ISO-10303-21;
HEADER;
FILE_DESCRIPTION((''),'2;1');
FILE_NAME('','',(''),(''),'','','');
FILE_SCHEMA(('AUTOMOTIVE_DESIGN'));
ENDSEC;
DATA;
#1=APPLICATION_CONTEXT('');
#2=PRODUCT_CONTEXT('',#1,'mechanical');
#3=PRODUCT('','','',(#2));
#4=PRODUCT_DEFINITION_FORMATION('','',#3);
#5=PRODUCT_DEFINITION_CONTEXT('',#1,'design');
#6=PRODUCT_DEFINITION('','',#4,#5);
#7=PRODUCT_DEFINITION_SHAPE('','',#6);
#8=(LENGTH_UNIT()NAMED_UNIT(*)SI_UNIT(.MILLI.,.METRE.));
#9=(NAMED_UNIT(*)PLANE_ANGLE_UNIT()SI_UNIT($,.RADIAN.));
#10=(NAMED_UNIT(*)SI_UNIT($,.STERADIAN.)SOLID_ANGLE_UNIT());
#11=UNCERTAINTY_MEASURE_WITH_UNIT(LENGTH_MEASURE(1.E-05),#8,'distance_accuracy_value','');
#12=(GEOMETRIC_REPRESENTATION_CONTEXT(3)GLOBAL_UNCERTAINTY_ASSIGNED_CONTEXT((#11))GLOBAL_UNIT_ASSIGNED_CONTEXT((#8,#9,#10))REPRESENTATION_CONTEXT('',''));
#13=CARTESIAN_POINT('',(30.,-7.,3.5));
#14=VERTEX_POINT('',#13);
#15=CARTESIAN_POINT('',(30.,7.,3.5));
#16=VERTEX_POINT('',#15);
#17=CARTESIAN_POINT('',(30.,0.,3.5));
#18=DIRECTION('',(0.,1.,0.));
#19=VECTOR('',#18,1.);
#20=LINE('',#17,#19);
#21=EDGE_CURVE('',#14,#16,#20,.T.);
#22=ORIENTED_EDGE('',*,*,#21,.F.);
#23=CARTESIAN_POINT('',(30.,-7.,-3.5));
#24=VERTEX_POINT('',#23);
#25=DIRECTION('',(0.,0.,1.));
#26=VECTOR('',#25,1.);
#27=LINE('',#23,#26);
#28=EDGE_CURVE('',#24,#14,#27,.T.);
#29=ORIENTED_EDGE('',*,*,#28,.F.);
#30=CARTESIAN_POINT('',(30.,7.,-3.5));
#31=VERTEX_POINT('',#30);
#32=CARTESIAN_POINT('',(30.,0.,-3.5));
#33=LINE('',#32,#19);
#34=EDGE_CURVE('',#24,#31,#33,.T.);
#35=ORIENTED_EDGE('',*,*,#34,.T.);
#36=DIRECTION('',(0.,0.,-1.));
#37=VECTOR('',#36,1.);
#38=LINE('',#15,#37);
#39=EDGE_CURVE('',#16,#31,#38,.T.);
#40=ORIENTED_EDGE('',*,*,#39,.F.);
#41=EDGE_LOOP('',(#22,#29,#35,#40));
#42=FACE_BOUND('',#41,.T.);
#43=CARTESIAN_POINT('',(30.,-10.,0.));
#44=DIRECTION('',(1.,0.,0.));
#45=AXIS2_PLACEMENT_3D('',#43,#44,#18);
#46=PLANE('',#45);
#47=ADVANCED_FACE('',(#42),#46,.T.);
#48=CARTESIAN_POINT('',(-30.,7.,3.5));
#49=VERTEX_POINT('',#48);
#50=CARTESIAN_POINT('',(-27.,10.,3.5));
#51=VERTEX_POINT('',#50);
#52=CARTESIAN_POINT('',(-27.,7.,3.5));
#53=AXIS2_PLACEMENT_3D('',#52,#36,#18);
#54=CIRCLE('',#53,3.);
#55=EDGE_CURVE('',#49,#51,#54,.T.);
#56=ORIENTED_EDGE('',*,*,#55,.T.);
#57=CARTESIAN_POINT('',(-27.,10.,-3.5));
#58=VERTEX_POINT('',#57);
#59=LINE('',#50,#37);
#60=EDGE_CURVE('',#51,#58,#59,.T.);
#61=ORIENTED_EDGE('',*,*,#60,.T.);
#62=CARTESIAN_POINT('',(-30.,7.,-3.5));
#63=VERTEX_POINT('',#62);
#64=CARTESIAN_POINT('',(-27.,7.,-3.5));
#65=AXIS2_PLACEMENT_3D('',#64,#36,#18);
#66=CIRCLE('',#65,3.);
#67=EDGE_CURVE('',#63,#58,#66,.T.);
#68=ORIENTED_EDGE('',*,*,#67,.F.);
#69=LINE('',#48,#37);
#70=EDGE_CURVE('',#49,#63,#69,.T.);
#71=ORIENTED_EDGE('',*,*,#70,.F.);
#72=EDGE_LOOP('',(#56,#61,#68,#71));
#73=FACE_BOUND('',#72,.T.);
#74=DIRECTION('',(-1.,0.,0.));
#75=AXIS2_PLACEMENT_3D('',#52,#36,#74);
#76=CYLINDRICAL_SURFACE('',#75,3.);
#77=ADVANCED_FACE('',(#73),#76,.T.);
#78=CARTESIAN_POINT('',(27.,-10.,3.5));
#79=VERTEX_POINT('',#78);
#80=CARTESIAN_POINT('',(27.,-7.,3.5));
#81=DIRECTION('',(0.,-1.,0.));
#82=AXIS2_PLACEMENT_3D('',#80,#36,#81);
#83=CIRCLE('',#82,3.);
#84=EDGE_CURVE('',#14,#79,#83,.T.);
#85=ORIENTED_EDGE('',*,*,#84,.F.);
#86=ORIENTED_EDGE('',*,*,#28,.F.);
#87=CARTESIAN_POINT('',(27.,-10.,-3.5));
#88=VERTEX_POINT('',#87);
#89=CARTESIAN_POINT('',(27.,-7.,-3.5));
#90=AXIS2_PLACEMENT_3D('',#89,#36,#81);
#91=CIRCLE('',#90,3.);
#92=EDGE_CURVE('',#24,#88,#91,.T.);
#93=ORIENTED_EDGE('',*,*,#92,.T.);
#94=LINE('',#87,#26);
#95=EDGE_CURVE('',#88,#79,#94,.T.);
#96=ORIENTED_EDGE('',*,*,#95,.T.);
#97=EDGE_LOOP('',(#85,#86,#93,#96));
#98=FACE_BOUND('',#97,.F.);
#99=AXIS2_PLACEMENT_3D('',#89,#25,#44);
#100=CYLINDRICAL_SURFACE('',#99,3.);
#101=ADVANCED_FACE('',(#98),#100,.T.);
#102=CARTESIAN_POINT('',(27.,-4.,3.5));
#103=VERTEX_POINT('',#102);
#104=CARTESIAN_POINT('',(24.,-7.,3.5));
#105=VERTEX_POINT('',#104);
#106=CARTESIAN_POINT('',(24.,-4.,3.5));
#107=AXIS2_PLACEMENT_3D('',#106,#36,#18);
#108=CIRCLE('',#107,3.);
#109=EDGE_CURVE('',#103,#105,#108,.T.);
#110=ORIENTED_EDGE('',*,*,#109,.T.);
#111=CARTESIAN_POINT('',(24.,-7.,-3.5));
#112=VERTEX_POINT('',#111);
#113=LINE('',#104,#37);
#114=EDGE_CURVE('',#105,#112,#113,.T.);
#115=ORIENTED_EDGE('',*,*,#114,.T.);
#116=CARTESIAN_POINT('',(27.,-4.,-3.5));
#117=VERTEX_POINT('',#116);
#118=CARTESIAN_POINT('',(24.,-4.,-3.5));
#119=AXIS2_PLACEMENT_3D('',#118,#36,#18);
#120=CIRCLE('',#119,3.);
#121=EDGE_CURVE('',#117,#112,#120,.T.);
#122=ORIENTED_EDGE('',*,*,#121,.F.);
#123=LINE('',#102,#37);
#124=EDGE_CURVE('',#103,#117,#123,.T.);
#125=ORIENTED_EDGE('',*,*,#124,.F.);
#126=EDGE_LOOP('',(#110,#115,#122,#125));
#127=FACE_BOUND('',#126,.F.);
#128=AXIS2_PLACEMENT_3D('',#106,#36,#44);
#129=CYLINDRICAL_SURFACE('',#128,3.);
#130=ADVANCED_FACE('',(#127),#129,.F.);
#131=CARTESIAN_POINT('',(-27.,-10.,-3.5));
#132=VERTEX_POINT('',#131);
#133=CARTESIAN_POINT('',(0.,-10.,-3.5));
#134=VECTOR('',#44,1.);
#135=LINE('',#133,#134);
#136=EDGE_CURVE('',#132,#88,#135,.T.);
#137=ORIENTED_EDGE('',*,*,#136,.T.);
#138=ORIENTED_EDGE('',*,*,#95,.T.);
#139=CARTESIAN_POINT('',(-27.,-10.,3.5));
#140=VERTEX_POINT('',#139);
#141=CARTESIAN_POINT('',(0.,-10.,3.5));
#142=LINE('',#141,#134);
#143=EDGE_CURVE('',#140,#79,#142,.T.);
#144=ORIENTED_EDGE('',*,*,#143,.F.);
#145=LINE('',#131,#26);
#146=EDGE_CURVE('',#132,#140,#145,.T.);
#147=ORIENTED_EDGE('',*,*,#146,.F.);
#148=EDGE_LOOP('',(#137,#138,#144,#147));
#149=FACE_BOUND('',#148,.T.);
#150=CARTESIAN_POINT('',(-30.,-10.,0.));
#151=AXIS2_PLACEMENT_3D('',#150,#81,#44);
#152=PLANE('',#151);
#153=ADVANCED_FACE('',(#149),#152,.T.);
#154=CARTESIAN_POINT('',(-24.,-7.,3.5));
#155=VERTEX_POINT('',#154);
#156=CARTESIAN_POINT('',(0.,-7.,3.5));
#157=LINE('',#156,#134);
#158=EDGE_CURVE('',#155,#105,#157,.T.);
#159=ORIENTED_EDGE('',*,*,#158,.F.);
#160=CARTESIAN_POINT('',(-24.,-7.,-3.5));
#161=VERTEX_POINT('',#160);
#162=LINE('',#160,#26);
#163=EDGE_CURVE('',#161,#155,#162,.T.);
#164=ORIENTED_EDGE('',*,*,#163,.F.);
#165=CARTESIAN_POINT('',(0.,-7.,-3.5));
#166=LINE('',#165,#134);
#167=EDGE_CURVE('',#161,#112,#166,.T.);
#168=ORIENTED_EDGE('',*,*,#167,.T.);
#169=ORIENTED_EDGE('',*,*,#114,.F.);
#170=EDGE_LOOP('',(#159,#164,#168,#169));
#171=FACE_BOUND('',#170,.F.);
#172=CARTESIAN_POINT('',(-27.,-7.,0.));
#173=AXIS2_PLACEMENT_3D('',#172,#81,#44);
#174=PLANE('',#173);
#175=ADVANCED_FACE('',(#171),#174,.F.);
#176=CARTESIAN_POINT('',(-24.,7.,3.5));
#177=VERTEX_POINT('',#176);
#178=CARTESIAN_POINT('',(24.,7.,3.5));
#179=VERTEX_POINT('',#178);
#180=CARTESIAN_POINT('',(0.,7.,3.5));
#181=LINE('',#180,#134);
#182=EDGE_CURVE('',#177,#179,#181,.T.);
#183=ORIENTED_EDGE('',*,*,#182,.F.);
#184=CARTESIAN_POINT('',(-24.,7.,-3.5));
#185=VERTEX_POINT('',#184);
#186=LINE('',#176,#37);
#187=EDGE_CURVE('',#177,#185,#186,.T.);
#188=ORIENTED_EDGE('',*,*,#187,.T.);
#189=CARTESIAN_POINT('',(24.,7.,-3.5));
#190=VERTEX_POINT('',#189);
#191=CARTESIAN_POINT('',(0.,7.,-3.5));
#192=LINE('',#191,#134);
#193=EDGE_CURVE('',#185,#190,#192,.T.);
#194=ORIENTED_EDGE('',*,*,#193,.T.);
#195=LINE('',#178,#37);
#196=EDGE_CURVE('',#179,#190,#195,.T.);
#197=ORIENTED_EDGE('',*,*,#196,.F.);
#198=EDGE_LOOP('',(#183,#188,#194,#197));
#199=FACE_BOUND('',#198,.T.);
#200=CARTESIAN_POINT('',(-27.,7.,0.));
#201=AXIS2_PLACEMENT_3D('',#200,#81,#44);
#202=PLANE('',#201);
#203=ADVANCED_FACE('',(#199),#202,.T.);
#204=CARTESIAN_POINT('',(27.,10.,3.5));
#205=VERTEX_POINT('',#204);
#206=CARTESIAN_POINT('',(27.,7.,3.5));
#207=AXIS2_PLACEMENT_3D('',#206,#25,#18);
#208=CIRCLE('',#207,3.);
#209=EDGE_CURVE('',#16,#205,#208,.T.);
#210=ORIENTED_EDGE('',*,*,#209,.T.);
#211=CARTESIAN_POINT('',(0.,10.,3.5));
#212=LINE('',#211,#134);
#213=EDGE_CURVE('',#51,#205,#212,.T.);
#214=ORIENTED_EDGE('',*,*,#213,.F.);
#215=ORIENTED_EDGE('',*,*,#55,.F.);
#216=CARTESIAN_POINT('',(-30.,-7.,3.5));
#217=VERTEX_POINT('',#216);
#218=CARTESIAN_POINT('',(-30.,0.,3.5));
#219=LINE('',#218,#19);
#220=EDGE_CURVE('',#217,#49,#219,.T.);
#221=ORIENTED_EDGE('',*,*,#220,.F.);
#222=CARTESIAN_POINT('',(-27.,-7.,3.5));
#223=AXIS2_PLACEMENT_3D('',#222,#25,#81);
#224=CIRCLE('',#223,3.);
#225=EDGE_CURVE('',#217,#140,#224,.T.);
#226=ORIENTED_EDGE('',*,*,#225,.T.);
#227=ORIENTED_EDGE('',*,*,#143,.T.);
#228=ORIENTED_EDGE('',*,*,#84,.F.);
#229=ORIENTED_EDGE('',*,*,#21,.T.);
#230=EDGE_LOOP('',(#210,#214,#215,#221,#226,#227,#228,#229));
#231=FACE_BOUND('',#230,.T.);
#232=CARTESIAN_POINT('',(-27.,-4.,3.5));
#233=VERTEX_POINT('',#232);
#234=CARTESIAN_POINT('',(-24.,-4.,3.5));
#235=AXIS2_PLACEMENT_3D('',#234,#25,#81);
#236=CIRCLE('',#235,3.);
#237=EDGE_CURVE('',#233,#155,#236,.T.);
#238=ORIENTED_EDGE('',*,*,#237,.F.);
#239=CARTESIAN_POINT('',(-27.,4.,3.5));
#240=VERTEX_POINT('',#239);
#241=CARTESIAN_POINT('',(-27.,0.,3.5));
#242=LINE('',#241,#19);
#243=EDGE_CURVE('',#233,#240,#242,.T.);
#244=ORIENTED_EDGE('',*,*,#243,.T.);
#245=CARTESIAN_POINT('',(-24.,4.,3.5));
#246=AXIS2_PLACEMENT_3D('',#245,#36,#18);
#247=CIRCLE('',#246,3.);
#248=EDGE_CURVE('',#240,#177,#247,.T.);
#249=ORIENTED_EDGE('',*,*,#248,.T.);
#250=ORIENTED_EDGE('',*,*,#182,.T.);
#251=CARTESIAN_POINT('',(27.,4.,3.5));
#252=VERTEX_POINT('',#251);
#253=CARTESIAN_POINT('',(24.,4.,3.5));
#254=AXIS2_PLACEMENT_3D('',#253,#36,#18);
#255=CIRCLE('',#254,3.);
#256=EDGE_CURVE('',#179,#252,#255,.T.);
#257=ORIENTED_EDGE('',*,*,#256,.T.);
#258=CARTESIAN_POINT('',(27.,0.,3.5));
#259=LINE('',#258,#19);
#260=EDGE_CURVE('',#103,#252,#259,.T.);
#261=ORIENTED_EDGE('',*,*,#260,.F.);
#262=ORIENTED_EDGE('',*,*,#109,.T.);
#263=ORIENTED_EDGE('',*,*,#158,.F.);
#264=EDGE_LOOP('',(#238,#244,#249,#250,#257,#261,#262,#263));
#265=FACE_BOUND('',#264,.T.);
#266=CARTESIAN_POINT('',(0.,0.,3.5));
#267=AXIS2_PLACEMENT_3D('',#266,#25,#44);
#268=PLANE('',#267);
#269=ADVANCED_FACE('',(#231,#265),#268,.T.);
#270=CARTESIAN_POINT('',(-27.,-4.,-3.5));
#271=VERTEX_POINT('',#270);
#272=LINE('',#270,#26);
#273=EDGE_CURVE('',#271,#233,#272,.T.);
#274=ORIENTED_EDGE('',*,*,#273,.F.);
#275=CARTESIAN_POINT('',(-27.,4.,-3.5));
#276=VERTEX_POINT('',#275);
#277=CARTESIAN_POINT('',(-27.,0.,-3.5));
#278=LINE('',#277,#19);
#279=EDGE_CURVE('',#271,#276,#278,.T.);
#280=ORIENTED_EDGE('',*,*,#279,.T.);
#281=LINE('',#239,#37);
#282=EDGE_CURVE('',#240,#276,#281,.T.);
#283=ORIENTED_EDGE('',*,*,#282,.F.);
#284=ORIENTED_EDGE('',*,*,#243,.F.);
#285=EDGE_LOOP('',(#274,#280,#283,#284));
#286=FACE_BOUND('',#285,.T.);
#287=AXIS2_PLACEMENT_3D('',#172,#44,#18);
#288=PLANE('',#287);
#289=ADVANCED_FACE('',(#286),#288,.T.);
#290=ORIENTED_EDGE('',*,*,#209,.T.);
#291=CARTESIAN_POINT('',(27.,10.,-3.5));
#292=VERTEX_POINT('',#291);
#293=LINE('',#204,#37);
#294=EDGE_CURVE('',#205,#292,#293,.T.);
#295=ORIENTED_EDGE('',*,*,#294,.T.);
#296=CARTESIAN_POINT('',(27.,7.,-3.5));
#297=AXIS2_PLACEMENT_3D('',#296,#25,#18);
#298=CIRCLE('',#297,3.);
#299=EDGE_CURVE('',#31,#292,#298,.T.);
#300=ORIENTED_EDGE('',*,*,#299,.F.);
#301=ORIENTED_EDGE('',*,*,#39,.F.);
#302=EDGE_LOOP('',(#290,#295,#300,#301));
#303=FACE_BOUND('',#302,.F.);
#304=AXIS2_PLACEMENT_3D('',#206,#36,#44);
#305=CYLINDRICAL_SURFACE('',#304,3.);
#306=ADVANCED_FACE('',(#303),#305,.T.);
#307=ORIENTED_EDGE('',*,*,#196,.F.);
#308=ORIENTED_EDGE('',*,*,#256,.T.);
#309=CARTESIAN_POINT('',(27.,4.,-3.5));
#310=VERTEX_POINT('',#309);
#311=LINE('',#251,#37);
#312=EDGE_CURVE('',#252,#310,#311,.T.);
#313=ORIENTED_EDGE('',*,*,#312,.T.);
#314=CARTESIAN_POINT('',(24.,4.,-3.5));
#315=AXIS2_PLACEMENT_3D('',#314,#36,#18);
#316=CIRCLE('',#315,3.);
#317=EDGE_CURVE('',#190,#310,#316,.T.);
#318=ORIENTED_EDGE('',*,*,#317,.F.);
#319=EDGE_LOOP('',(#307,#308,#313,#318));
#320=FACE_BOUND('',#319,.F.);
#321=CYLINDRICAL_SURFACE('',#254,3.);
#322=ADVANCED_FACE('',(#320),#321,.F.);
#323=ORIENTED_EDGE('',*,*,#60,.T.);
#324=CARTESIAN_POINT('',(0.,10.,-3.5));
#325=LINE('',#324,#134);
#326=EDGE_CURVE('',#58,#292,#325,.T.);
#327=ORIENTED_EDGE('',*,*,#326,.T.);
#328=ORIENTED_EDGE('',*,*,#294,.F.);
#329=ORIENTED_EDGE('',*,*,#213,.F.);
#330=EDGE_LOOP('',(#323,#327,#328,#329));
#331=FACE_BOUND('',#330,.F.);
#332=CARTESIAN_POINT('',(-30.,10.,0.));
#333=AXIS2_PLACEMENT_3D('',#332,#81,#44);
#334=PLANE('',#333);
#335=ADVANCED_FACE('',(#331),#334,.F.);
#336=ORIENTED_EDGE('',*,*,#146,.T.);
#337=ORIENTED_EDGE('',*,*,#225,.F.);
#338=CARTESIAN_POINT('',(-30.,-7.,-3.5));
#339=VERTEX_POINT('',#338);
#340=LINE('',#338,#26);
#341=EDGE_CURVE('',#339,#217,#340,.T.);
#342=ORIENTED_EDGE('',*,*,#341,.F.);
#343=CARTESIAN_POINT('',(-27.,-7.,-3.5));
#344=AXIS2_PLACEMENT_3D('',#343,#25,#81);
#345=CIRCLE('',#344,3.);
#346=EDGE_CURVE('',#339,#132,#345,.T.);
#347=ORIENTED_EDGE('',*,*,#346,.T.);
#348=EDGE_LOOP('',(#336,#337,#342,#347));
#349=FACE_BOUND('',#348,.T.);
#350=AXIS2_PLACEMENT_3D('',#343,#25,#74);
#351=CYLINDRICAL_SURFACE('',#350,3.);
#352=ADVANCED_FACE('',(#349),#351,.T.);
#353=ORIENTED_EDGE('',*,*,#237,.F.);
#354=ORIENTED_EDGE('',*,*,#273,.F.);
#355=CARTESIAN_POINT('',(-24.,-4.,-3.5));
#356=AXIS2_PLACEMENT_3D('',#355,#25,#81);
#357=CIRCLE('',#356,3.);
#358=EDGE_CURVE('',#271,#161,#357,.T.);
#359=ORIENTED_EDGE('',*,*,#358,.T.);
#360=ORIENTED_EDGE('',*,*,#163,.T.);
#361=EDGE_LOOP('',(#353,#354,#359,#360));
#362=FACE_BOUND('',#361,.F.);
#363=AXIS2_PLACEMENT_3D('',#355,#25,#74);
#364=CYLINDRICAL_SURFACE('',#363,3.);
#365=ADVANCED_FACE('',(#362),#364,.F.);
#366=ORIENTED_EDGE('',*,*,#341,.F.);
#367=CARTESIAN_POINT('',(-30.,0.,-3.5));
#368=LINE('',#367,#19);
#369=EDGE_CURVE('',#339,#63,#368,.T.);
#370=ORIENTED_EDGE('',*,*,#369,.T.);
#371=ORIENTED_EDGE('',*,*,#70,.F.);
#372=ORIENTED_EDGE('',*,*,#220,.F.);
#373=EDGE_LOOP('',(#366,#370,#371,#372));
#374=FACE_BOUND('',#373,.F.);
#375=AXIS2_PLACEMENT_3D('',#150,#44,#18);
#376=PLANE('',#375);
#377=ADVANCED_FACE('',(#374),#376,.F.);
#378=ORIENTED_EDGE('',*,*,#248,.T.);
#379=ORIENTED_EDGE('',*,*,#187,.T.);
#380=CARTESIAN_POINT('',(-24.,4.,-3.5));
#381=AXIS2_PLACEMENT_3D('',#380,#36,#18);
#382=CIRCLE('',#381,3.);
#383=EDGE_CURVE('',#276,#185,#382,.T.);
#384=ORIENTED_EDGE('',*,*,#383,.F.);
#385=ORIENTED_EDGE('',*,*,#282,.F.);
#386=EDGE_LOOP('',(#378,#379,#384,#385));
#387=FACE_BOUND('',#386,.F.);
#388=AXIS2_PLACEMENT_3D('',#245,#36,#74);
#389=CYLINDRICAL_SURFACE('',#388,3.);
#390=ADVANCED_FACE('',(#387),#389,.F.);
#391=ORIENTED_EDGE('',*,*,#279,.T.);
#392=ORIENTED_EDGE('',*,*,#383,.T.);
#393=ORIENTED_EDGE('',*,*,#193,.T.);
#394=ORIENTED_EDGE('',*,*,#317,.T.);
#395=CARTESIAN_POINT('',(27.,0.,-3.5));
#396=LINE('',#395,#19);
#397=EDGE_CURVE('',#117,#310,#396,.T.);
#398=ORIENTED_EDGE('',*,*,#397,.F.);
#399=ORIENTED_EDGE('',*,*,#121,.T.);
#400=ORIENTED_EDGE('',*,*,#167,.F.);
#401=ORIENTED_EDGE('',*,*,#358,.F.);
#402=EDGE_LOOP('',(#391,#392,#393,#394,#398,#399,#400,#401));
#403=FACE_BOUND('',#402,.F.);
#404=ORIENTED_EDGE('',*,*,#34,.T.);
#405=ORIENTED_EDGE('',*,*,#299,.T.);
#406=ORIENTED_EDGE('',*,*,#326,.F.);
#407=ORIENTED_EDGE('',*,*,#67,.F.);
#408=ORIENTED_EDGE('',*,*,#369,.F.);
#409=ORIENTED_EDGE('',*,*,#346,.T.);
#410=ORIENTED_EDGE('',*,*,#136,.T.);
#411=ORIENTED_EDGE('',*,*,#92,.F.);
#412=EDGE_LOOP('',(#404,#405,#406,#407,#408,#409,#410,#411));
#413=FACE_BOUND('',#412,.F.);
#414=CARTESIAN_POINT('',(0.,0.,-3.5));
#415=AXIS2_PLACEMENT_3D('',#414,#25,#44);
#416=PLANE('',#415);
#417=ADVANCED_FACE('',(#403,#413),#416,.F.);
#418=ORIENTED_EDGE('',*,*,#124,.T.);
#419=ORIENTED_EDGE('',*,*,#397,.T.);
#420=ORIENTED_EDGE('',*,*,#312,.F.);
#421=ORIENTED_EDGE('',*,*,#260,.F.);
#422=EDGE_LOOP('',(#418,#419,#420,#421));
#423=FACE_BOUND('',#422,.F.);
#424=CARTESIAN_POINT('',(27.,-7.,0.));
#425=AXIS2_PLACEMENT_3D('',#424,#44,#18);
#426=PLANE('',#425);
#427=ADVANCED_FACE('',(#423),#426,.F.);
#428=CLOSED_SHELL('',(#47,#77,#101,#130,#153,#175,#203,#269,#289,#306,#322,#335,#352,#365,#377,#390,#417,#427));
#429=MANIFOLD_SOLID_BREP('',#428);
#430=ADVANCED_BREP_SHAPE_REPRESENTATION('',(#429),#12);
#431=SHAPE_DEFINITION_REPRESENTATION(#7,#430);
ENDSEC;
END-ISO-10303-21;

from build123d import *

# Parameters (mm, degrees)
F0_W     = 60
F0_H     = 20
F0_W_2   = 54
F0_H_2   = 14
F1_DEPTH = 3.5
F2_R     = 3


with BuildPart() as f1:
    # F0 (on Top) → F1 (new body, symmetric)
    with BuildSketch(Plane.XY):
        Rectangle(F0_W, F0_H)
        Rectangle(F0_W_2, F0_H_2, mode=Mode.SUBTRACT)
    extrude(amount=F1_DEPTH, both=True)

    # F2
    f2_edges = [f1.edges().sort_by_distance(p)[0] for p in [
        (-30, -10, 0),
        (-30, 10, 0),
        (-27, 7, 0),
        (-27, -7, 0),
        (27, 7, 0),
        (27, -7, 0),
        (30, 10, 0),
        (30, -10, 0),
    ]]
    fillet(f2_edges, radius=F2_R)


solid = f1.part
